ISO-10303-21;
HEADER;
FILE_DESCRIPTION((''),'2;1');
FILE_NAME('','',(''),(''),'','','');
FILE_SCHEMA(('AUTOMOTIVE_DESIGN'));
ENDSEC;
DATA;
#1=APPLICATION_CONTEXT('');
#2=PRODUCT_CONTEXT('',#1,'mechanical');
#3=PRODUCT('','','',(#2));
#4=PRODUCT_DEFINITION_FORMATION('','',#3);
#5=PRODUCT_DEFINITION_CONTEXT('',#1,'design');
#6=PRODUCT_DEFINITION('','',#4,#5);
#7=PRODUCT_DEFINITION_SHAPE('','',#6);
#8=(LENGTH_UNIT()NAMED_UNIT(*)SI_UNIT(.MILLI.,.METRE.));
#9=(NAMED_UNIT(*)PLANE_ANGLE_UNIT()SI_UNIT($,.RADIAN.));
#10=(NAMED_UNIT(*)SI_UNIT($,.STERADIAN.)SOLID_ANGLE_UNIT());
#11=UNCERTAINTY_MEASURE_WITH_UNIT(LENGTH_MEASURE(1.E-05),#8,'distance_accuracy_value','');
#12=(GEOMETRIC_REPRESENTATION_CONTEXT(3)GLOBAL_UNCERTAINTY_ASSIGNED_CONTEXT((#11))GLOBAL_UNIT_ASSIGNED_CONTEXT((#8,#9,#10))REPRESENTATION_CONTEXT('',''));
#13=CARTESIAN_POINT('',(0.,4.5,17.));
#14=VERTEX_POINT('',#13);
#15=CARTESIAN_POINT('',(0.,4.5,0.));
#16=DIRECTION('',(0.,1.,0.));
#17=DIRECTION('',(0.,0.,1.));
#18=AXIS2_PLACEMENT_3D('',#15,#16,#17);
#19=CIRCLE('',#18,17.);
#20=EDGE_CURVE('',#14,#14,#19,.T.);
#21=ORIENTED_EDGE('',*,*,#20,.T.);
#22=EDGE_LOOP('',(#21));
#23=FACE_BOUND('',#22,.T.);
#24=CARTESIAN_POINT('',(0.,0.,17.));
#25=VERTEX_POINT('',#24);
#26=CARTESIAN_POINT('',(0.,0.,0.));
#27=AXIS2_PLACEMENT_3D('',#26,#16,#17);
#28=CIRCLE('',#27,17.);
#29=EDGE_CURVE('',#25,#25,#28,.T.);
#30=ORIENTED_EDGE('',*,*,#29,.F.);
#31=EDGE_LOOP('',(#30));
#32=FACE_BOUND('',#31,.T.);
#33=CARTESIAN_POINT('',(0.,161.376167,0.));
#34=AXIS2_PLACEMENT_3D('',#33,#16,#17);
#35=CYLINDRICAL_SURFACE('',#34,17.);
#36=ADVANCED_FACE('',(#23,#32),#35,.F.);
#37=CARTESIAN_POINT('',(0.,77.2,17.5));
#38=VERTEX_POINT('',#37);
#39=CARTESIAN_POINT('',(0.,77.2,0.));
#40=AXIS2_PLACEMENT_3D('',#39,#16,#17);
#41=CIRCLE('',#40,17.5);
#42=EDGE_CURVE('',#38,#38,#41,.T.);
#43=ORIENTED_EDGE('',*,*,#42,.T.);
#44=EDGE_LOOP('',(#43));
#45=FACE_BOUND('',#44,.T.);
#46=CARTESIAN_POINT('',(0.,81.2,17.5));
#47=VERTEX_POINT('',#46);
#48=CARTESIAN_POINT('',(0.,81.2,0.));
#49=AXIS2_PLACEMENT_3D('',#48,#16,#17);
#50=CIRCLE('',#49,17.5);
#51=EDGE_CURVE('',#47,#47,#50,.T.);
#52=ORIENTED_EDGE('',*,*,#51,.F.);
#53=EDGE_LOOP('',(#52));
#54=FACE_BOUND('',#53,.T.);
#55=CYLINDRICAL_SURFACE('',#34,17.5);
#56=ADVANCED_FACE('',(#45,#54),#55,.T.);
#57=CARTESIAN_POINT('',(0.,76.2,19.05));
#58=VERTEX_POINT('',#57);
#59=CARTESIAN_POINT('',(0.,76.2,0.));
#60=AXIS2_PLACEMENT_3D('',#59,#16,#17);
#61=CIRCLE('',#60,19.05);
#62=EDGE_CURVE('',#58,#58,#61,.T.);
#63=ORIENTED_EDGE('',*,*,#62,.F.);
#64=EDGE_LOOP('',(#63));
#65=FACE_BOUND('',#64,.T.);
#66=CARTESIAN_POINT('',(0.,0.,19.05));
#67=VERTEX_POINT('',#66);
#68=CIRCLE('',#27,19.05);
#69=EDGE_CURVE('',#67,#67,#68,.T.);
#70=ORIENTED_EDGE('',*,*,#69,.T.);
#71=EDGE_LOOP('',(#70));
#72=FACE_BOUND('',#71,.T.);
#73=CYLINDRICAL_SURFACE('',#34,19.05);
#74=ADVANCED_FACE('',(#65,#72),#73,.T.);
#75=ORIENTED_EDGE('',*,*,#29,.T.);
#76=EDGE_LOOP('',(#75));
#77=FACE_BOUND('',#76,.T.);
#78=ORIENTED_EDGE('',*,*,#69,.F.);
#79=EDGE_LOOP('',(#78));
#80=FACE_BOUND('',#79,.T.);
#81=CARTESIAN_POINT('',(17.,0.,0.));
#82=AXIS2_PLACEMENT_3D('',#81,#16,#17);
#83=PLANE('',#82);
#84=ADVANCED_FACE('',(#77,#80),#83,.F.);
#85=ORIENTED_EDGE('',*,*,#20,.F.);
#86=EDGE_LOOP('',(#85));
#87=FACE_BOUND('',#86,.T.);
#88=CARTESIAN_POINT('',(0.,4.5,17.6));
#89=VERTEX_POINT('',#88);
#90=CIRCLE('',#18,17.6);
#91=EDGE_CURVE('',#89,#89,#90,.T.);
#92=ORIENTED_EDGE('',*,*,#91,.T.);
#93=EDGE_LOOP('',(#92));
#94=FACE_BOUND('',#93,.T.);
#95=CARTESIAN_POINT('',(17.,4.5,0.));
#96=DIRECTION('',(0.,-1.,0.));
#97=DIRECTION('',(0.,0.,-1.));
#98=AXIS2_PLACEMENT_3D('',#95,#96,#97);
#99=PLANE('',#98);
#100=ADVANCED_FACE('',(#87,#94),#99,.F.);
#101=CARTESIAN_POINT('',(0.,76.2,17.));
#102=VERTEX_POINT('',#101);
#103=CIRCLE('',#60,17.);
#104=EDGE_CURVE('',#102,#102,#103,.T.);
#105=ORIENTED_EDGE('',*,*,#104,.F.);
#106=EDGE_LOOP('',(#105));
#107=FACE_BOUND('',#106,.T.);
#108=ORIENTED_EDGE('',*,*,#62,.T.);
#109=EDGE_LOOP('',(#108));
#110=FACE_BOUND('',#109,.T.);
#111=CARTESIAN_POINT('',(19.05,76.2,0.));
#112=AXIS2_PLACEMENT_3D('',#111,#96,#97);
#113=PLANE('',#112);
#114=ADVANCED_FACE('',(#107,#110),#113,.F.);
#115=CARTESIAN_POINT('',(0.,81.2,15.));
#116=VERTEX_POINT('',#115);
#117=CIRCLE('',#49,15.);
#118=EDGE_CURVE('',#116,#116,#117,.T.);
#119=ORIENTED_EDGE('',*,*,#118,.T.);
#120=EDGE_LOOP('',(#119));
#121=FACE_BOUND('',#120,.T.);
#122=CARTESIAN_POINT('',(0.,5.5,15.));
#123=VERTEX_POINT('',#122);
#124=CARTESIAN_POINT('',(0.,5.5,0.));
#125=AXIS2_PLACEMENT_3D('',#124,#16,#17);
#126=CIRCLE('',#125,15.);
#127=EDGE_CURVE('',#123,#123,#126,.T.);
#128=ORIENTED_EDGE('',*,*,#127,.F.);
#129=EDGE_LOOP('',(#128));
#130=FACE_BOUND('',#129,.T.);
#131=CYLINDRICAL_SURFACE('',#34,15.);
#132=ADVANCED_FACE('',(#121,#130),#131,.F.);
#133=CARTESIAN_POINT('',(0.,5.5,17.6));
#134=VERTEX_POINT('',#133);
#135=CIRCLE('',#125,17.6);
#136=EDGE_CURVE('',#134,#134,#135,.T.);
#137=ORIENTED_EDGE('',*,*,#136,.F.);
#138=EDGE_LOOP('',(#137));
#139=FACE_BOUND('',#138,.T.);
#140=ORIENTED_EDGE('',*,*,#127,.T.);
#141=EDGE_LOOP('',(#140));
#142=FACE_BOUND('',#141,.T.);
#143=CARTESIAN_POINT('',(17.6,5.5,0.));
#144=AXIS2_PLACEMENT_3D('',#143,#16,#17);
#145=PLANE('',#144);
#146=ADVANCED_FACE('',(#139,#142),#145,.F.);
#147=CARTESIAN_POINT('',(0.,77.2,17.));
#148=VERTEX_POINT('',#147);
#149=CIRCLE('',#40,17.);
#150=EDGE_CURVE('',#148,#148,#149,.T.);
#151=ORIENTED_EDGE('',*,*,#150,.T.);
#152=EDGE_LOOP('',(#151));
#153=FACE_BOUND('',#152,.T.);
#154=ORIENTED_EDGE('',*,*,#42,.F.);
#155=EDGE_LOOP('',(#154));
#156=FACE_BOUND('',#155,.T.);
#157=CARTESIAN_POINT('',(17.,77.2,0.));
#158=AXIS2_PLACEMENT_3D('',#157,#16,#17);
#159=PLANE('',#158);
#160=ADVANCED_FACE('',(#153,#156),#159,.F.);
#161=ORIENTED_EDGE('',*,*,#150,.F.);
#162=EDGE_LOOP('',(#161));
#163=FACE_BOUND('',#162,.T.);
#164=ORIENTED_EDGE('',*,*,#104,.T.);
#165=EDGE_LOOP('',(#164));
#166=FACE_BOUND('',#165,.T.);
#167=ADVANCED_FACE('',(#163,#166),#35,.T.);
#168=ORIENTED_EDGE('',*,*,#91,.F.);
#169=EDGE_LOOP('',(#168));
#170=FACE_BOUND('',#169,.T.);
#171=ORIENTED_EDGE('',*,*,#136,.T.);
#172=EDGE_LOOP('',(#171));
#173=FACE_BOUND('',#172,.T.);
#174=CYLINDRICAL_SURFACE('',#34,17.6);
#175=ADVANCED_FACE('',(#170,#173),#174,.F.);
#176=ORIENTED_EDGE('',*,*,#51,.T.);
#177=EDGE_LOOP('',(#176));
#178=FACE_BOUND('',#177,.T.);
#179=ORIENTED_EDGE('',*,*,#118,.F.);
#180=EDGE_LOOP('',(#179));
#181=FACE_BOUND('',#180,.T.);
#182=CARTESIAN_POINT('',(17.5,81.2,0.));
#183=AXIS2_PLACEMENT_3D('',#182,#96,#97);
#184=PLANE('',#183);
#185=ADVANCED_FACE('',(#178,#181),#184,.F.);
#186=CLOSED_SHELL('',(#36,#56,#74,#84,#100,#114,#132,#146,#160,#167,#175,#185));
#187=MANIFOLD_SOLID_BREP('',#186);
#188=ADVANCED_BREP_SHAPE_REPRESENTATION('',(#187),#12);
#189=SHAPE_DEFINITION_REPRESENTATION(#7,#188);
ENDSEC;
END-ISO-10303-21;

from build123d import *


with BuildPart() as part:
    # 草图1 → 旋转1 (revolve)
    with BuildSketch(Plane.XY, mode=Mode.PRIVATE) as revolve_1_sk:
        Polygon((19.05, 0), (19.05, 76.2), (17, 76.2), (17, 77.2), (17.5, 77.2), (17.5, 81.2), (15, 81.2), (15, 5.5), (17.6, 5.5), (17.6, 4.5), (17, 4.5), (17, 0), align=None)
    revolve(revolve_1_sk.sketch.rotate(Axis((0, 161.376166943, 0), (0, -1, 0)), 90), axis=Axis((0, 161.376166943, 0), (0, -1, 0)))  # turned: the seam where the file's is


solid = part.part
